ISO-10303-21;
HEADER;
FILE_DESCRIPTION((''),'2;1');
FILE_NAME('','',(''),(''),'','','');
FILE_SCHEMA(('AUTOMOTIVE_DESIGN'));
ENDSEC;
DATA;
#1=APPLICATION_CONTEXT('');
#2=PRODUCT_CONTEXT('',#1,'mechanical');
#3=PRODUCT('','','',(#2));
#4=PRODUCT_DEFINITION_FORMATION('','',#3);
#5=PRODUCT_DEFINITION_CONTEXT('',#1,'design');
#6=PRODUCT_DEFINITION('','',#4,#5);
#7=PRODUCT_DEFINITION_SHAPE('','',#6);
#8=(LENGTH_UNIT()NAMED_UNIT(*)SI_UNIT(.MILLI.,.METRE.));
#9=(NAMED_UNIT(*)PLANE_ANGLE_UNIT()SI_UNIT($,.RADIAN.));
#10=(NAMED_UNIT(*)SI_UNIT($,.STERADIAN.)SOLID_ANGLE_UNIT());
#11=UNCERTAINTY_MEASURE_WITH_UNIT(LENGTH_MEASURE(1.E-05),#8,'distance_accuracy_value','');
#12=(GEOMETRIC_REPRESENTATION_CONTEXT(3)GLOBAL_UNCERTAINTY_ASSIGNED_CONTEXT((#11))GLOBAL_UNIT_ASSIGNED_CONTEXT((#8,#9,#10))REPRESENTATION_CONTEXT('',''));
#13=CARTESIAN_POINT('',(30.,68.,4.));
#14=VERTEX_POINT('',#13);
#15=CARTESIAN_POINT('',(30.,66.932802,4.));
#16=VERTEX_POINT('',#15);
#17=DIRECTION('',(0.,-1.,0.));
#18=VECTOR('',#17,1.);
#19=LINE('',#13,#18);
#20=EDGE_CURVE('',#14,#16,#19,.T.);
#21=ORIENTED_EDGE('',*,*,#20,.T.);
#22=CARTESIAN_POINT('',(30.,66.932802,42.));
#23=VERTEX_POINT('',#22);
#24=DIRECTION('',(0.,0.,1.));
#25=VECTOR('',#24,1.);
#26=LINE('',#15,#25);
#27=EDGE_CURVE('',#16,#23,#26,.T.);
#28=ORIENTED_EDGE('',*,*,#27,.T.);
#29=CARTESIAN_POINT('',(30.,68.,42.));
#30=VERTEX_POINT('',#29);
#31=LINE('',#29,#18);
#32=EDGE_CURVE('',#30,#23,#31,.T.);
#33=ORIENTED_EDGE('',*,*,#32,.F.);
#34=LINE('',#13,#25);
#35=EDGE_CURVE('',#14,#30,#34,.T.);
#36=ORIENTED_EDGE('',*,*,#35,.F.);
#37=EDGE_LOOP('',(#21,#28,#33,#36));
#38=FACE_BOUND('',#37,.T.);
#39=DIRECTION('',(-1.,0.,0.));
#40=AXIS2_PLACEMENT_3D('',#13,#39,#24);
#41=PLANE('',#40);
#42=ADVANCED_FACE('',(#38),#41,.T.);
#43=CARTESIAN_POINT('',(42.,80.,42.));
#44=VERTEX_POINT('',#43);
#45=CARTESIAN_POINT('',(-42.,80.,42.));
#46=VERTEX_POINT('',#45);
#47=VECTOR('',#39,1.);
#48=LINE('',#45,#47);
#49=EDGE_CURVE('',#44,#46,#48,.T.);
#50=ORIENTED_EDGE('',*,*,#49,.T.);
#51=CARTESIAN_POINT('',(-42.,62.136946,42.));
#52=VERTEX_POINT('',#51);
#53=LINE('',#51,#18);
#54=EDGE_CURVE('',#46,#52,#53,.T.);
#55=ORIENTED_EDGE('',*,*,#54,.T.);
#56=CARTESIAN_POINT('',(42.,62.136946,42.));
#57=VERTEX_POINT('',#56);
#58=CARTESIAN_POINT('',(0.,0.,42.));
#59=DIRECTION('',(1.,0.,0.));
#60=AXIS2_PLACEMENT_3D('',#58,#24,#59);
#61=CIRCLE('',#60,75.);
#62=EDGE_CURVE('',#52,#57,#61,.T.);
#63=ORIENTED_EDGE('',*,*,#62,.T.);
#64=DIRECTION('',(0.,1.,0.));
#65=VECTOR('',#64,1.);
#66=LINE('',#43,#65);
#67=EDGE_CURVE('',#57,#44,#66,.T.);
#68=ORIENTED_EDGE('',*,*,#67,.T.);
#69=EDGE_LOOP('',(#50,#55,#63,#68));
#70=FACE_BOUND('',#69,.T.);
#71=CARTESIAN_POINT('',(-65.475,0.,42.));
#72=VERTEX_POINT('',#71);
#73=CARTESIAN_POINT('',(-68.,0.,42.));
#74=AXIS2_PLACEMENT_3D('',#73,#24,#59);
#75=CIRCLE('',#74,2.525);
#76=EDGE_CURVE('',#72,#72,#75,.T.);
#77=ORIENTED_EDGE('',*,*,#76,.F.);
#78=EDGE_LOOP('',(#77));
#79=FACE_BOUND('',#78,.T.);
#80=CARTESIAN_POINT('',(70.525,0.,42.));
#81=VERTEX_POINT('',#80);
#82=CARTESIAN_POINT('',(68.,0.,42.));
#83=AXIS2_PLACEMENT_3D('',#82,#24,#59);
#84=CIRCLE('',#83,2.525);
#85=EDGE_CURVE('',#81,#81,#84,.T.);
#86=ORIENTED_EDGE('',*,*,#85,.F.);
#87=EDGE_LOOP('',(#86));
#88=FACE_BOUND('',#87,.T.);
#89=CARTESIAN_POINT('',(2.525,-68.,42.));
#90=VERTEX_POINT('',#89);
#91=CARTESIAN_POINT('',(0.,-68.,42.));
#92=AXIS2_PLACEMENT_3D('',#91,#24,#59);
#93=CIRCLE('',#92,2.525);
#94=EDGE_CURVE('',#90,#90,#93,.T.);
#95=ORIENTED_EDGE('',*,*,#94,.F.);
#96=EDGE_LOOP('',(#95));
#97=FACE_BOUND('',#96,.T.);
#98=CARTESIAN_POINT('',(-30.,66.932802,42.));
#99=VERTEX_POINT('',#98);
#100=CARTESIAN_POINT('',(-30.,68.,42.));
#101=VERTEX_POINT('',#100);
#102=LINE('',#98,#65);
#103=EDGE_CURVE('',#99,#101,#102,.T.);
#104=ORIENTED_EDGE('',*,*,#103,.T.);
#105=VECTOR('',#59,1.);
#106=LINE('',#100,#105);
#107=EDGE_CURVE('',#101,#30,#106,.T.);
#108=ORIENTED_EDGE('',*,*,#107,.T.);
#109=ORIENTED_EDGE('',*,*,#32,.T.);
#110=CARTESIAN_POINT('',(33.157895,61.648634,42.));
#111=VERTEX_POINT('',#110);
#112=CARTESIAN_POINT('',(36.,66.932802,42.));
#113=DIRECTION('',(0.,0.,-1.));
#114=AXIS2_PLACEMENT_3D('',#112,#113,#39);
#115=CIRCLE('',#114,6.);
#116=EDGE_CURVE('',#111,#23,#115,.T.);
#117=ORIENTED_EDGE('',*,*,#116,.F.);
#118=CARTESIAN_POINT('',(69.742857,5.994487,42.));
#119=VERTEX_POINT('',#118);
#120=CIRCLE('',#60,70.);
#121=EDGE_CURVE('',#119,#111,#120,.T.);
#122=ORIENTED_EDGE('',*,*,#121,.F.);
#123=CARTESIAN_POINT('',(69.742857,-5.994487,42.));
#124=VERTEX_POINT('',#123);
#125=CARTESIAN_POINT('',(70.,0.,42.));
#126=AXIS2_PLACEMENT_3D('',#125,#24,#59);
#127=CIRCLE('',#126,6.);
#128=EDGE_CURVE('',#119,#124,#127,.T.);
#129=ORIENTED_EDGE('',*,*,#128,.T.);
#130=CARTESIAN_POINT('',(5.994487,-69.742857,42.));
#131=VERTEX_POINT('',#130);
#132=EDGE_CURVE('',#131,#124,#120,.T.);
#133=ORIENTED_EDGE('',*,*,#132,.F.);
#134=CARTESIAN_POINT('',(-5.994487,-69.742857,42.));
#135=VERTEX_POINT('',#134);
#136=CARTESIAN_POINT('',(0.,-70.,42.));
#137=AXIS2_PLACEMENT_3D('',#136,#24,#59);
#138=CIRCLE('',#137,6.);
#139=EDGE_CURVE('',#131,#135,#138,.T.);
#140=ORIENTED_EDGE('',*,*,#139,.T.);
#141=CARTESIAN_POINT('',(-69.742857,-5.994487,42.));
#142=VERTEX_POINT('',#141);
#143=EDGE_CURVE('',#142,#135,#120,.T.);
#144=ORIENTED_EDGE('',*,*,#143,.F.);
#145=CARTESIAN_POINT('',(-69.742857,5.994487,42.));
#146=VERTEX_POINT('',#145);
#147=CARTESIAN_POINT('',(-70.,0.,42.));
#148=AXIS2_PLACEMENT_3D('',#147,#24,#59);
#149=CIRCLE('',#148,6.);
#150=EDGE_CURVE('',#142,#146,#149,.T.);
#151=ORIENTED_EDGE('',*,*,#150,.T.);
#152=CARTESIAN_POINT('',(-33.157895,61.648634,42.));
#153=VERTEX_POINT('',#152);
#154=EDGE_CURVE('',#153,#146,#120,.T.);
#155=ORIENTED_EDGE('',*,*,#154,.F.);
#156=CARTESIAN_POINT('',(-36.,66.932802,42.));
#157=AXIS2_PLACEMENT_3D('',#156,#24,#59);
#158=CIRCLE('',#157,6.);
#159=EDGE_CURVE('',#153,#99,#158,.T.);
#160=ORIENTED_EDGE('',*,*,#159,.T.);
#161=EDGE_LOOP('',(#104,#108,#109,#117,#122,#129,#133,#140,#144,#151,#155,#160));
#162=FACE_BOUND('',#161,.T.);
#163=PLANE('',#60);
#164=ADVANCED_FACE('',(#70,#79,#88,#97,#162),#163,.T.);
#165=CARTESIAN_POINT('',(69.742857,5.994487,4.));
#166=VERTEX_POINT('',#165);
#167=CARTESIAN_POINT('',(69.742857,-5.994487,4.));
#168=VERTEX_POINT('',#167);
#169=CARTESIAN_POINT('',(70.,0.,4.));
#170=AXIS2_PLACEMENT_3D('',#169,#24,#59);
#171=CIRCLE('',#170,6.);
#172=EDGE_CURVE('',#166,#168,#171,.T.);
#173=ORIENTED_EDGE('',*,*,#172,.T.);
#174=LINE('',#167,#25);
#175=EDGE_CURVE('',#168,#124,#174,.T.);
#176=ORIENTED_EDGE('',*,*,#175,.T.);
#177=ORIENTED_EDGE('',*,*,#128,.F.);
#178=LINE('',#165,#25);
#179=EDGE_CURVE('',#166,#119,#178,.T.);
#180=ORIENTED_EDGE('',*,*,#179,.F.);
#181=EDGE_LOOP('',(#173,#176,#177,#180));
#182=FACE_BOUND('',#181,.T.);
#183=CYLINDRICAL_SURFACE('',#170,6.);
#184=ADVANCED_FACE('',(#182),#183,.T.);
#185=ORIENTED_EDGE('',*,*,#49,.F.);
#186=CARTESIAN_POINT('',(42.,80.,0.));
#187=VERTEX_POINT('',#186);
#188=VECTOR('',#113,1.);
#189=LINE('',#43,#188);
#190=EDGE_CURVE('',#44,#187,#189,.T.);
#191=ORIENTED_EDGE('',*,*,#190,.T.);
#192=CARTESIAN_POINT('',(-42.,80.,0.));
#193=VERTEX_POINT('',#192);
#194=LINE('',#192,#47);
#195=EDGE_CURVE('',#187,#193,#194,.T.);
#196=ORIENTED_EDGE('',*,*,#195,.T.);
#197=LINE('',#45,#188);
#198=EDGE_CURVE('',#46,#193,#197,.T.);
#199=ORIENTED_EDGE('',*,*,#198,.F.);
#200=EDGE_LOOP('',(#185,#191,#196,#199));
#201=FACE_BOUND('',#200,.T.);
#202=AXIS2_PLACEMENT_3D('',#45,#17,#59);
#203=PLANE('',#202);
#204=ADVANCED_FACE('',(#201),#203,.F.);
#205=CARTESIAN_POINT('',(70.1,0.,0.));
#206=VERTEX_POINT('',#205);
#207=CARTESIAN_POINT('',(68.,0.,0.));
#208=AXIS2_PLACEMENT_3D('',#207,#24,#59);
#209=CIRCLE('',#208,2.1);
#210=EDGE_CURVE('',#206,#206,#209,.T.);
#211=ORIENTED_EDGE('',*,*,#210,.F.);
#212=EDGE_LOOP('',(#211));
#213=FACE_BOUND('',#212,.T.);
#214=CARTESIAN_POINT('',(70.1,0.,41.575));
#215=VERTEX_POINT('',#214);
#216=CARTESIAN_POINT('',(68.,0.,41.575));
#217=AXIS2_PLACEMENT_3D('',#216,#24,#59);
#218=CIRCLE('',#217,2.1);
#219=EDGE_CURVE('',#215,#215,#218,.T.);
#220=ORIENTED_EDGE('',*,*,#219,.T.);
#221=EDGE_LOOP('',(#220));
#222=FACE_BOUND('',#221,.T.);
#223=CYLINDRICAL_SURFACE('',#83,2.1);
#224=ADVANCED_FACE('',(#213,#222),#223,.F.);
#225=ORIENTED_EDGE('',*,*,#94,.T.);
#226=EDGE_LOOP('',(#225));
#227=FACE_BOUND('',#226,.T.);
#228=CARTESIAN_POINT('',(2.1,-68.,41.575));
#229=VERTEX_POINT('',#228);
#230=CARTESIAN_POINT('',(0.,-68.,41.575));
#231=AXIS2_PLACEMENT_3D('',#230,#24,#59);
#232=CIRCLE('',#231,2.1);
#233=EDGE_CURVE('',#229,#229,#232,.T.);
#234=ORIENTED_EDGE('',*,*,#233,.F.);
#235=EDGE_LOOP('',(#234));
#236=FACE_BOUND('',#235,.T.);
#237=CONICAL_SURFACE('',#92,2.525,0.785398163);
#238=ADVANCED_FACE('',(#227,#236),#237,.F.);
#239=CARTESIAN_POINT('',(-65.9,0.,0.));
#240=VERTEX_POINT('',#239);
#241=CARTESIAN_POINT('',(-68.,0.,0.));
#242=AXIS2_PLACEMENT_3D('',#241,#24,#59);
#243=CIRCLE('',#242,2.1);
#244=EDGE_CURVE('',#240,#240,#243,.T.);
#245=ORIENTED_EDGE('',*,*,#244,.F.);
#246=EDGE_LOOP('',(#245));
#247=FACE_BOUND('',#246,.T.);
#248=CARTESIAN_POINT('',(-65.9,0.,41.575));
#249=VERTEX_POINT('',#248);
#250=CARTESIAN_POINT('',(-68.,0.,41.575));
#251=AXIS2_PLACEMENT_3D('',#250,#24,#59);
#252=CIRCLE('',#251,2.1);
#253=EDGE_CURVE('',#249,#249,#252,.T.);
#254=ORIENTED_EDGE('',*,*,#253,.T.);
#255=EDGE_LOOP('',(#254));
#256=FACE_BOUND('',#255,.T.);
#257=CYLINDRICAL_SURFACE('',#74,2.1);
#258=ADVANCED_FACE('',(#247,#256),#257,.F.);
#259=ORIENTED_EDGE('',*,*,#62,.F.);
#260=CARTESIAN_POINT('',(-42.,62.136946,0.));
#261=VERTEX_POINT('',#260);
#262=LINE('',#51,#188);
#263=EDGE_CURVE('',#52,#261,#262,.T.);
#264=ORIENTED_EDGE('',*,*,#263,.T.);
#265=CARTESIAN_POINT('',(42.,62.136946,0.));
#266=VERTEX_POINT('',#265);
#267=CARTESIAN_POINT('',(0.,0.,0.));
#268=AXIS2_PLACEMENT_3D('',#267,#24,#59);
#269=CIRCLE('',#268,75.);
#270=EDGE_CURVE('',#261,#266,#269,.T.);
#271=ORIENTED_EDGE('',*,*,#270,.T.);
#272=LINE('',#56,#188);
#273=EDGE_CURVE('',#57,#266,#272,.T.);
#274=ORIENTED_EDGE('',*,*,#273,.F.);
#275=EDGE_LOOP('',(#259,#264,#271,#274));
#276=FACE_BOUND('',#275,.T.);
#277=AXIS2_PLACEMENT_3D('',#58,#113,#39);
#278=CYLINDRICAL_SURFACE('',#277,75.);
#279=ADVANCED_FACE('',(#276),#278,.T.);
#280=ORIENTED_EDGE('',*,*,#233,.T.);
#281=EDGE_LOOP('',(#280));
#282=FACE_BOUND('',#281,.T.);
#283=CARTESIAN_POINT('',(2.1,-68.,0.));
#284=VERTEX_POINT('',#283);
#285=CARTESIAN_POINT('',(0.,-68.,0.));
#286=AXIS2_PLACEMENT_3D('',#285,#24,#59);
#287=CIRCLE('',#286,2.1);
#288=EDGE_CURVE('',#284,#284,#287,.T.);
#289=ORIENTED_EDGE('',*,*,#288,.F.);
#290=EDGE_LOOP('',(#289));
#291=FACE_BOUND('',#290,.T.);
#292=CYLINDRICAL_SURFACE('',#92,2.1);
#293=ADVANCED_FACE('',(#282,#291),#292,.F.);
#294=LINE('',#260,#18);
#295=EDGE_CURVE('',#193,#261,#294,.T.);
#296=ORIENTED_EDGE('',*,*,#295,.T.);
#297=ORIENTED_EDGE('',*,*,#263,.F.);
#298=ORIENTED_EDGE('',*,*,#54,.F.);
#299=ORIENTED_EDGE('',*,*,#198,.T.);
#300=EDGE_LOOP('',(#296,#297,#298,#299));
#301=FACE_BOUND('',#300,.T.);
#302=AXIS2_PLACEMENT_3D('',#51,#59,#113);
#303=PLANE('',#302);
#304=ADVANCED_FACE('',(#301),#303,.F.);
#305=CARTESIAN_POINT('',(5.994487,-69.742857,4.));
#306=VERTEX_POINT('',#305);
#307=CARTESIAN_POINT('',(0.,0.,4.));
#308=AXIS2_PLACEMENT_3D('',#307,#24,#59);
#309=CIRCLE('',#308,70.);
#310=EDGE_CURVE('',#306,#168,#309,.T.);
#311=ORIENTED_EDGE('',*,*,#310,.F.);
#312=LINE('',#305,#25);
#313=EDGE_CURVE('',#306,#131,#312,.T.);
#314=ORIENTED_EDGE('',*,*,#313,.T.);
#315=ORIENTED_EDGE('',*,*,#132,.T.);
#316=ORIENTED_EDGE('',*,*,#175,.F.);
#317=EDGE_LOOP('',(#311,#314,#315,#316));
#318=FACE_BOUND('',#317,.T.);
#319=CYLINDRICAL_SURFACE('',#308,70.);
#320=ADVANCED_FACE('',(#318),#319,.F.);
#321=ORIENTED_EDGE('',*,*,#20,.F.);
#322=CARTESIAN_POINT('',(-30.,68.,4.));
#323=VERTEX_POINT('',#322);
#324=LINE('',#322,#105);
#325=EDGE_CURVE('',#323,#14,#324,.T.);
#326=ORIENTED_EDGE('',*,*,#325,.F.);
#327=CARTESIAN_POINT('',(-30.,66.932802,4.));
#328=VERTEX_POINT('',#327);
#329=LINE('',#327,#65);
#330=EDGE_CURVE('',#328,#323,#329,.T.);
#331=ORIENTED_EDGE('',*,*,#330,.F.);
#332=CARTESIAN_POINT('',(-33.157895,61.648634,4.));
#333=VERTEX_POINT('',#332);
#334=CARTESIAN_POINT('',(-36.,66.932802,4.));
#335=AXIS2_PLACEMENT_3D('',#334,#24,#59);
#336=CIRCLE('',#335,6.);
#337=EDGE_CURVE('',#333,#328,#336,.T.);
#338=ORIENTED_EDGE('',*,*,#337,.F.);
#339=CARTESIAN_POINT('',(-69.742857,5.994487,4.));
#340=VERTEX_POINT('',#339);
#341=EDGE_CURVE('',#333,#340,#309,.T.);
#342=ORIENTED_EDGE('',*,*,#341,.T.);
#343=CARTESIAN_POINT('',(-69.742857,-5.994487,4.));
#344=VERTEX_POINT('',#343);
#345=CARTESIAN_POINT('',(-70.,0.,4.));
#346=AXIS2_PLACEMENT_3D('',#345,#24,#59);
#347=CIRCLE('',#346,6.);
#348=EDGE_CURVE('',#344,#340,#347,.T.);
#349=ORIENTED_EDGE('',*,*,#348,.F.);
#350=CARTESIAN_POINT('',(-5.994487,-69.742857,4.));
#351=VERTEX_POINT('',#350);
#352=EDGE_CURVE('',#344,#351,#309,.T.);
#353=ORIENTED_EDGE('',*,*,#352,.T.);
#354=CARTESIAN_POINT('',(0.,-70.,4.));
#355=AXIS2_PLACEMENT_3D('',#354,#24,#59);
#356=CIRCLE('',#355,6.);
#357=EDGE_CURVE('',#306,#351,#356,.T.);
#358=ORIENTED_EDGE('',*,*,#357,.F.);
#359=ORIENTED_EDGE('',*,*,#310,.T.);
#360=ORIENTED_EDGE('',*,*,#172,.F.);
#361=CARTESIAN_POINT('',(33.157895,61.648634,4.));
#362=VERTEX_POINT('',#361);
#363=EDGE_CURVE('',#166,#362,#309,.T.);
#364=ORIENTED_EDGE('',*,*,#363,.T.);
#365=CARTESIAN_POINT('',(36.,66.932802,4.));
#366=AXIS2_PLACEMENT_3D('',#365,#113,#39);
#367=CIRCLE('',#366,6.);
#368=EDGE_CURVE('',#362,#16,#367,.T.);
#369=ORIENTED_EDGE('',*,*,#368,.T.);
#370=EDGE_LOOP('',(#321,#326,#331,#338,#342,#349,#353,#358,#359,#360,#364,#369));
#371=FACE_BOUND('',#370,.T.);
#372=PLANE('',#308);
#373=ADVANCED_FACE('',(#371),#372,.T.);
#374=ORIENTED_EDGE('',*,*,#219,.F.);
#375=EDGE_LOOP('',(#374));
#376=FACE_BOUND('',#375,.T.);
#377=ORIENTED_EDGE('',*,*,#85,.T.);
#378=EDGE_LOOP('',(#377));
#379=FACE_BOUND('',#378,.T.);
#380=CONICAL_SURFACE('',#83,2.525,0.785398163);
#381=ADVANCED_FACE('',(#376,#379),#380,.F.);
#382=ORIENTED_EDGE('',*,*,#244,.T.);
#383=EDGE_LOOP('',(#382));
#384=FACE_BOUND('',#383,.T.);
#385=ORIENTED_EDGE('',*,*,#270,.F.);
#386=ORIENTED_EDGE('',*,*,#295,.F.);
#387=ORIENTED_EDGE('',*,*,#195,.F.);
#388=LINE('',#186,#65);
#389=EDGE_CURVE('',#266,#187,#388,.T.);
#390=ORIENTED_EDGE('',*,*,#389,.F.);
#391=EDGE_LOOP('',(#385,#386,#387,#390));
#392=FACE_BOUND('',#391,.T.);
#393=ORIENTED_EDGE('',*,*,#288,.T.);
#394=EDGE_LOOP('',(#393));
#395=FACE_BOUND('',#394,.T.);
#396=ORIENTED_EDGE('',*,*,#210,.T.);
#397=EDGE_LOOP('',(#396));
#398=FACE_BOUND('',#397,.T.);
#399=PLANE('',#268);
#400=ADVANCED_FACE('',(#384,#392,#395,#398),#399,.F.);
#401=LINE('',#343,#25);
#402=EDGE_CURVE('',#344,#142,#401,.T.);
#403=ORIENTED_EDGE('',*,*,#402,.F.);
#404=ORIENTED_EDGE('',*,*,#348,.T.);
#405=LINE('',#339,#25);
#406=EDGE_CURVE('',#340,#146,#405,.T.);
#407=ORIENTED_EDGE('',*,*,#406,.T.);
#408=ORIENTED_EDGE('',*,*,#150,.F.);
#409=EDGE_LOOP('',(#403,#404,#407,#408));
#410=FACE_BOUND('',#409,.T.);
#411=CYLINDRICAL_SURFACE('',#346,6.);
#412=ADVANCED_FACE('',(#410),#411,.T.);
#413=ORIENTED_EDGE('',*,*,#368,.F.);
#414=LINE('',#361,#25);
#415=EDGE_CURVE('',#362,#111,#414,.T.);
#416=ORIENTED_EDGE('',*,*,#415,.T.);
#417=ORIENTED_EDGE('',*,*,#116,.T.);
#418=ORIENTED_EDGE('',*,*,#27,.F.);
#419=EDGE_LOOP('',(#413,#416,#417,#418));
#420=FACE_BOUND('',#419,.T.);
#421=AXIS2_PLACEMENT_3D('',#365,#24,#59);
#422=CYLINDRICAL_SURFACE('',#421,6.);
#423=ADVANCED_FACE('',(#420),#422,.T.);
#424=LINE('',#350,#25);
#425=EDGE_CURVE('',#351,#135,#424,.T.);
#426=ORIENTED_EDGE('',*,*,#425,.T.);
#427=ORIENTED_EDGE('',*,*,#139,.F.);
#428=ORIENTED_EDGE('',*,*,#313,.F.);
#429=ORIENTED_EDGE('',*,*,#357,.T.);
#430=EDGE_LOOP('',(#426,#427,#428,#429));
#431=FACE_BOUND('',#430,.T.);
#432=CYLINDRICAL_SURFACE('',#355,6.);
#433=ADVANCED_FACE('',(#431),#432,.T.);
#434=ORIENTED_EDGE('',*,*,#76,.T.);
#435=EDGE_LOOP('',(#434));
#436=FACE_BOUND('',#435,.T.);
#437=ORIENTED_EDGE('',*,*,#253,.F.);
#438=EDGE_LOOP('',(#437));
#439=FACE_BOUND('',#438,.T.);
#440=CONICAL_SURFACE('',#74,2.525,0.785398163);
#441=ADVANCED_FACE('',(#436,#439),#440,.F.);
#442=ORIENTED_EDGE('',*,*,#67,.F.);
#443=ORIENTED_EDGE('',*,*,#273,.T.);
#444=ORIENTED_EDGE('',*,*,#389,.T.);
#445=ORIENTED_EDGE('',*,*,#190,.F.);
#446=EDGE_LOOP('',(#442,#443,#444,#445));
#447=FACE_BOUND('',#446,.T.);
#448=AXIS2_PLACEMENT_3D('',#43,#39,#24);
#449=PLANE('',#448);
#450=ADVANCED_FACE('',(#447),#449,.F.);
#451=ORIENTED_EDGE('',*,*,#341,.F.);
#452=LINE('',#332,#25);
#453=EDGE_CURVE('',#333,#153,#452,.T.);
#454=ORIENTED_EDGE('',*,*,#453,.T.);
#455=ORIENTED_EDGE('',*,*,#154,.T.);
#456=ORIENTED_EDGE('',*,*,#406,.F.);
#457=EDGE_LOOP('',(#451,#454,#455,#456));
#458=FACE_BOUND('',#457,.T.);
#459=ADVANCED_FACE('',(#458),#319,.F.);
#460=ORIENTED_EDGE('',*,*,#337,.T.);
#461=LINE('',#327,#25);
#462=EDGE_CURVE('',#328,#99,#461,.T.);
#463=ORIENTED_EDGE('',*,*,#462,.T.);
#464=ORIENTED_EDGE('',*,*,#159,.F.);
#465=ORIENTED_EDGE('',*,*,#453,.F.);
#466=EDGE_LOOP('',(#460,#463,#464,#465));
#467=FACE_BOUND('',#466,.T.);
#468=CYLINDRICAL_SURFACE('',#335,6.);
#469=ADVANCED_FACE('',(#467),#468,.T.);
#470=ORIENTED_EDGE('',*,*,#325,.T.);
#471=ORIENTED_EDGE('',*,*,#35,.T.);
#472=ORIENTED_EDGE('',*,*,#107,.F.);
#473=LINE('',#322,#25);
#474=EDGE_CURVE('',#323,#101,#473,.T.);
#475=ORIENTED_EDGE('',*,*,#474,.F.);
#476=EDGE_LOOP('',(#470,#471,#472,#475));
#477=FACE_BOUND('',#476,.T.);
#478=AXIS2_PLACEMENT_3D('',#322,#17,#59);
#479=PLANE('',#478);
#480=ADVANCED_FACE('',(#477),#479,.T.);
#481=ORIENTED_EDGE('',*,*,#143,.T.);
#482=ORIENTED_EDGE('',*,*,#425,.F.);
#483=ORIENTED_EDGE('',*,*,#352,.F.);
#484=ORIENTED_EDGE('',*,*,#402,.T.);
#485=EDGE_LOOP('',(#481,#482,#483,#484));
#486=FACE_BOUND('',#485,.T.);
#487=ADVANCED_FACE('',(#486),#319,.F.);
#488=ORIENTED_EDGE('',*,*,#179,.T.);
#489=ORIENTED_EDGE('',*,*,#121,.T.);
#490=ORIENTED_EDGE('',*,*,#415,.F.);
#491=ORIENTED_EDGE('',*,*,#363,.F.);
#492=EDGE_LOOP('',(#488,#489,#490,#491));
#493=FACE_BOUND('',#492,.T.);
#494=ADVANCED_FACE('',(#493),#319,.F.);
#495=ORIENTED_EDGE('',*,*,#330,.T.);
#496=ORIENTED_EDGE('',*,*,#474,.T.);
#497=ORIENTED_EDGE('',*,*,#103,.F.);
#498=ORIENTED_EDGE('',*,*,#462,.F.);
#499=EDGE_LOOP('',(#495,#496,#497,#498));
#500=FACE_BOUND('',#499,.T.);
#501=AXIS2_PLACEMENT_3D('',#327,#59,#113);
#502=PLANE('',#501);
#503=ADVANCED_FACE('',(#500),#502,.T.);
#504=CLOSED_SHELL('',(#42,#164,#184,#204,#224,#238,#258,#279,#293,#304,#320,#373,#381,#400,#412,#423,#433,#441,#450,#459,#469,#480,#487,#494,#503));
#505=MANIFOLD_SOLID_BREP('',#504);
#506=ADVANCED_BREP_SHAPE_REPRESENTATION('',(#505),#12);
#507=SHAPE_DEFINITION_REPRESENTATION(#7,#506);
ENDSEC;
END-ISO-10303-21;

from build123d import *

# Parameters (mm, degrees)
EXTRUDE_1_DEPTH              = 42
CUT_EXTRUDE_1_DEPTH          = 38
HOLE_WIZARD_M5_1_D           = 4.2
HOLE_WIZARD_M5_1_CSINK_D     = 5.05
HOLE_WIZARD_M5_1_CSINK_ANGLE = 90
PATTERN_CIRCULAR_1_COUNT     = 4


with BuildPart() as part:
    # 草图1 → 凸台-拉伸1 (new body)
    with BuildSketch(Plane.XY):
        with BuildLine():
            Line((-42, 62.136945532), (-42, 80))
            Line((-42, 80), (42, 80))
            Line((42, 80), (42, 62.136945532))
            ThreePointArc((42, 62.136945532), (0, -75), (-42, 62.136945532))
        make_face()
    extrude(amount=EXTRUDE_1_DEPTH)

    # 草图2 → 切除-拉伸1 (cut)
    with BuildSketch(Plane.XY.offset(42)):
        with BuildLine():
            Line((-30, 66.932802123), (-30, 68))
            Line((-30, 68), (30, 68))
            Line((30, 68), (30, 66.932802123))
            ThreePointArc((30, 66.932802123), (30.849629548, 63.854867066), (33.157894737, 61.648633534))
            ThreePointArc((33.157894737, 61.648633534), (58.493479839, 38.451434516), (69.742857143, 5.994487263))
            ThreePointArc((69.742857143, 5.994487263), (64, 0), (69.742857143, -5.994487263))
            ThreePointArc((69.742857143, -5.994487263), (49.497474683, -49.497474683), (5.994487263, -69.742857143))
            ThreePointArc((5.994487263, -69.742857143), (0, -64), (-5.994487263, -69.742857143))
            ThreePointArc((-5.994487263, -69.742857143), (-49.497474683, -49.497474683), (-69.742857143, -5.994487263))
            ThreePointArc((-69.742857143, -5.994487263), (-64, 0), (-69.742857143, 5.994487263))
            ThreePointArc((-69.742857143, 5.994487263), (-58.493479839, 38.451434516), (-33.157894737, 61.648633534))
            ThreePointArc((-33.157894737, 61.648633534), (-30.849629548, 63.854867066), (-30, 66.932802123))
        make_face()
    extrude(amount=-CUT_EXTRUDE_1_DEPTH, mode=Mode.SUBTRACT)

    # M5 螺纹孔1 (through all)
    with Locations(Plane.XY.offset(42)):
        with Locations((0, -68)):
            hole_wizard_m5_1 = CounterSinkHole(HOLE_WIZARD_M5_1_D / 2, HOLE_WIZARD_M5_1_CSINK_D / 2, counter_sink_angle=HOLE_WIZARD_M5_1_CSINK_ANGLE)

    # 阵列(圆周)1: M5 螺纹孔1 ×4 about axis, 1 skipped
    pattern_circular_1_axis = Axis((0, 0, 0), (0, 0, -1))
    add([hole_wizard_m5_1.rotate(pattern_circular_1_axis, i * 360 / PATTERN_CIRCULAR_1_COUNT) for i in range(1, PATTERN_CIRCULAR_1_COUNT) if i not in (2,)], mode=Mode.SUBTRACT)


solid = part.part
